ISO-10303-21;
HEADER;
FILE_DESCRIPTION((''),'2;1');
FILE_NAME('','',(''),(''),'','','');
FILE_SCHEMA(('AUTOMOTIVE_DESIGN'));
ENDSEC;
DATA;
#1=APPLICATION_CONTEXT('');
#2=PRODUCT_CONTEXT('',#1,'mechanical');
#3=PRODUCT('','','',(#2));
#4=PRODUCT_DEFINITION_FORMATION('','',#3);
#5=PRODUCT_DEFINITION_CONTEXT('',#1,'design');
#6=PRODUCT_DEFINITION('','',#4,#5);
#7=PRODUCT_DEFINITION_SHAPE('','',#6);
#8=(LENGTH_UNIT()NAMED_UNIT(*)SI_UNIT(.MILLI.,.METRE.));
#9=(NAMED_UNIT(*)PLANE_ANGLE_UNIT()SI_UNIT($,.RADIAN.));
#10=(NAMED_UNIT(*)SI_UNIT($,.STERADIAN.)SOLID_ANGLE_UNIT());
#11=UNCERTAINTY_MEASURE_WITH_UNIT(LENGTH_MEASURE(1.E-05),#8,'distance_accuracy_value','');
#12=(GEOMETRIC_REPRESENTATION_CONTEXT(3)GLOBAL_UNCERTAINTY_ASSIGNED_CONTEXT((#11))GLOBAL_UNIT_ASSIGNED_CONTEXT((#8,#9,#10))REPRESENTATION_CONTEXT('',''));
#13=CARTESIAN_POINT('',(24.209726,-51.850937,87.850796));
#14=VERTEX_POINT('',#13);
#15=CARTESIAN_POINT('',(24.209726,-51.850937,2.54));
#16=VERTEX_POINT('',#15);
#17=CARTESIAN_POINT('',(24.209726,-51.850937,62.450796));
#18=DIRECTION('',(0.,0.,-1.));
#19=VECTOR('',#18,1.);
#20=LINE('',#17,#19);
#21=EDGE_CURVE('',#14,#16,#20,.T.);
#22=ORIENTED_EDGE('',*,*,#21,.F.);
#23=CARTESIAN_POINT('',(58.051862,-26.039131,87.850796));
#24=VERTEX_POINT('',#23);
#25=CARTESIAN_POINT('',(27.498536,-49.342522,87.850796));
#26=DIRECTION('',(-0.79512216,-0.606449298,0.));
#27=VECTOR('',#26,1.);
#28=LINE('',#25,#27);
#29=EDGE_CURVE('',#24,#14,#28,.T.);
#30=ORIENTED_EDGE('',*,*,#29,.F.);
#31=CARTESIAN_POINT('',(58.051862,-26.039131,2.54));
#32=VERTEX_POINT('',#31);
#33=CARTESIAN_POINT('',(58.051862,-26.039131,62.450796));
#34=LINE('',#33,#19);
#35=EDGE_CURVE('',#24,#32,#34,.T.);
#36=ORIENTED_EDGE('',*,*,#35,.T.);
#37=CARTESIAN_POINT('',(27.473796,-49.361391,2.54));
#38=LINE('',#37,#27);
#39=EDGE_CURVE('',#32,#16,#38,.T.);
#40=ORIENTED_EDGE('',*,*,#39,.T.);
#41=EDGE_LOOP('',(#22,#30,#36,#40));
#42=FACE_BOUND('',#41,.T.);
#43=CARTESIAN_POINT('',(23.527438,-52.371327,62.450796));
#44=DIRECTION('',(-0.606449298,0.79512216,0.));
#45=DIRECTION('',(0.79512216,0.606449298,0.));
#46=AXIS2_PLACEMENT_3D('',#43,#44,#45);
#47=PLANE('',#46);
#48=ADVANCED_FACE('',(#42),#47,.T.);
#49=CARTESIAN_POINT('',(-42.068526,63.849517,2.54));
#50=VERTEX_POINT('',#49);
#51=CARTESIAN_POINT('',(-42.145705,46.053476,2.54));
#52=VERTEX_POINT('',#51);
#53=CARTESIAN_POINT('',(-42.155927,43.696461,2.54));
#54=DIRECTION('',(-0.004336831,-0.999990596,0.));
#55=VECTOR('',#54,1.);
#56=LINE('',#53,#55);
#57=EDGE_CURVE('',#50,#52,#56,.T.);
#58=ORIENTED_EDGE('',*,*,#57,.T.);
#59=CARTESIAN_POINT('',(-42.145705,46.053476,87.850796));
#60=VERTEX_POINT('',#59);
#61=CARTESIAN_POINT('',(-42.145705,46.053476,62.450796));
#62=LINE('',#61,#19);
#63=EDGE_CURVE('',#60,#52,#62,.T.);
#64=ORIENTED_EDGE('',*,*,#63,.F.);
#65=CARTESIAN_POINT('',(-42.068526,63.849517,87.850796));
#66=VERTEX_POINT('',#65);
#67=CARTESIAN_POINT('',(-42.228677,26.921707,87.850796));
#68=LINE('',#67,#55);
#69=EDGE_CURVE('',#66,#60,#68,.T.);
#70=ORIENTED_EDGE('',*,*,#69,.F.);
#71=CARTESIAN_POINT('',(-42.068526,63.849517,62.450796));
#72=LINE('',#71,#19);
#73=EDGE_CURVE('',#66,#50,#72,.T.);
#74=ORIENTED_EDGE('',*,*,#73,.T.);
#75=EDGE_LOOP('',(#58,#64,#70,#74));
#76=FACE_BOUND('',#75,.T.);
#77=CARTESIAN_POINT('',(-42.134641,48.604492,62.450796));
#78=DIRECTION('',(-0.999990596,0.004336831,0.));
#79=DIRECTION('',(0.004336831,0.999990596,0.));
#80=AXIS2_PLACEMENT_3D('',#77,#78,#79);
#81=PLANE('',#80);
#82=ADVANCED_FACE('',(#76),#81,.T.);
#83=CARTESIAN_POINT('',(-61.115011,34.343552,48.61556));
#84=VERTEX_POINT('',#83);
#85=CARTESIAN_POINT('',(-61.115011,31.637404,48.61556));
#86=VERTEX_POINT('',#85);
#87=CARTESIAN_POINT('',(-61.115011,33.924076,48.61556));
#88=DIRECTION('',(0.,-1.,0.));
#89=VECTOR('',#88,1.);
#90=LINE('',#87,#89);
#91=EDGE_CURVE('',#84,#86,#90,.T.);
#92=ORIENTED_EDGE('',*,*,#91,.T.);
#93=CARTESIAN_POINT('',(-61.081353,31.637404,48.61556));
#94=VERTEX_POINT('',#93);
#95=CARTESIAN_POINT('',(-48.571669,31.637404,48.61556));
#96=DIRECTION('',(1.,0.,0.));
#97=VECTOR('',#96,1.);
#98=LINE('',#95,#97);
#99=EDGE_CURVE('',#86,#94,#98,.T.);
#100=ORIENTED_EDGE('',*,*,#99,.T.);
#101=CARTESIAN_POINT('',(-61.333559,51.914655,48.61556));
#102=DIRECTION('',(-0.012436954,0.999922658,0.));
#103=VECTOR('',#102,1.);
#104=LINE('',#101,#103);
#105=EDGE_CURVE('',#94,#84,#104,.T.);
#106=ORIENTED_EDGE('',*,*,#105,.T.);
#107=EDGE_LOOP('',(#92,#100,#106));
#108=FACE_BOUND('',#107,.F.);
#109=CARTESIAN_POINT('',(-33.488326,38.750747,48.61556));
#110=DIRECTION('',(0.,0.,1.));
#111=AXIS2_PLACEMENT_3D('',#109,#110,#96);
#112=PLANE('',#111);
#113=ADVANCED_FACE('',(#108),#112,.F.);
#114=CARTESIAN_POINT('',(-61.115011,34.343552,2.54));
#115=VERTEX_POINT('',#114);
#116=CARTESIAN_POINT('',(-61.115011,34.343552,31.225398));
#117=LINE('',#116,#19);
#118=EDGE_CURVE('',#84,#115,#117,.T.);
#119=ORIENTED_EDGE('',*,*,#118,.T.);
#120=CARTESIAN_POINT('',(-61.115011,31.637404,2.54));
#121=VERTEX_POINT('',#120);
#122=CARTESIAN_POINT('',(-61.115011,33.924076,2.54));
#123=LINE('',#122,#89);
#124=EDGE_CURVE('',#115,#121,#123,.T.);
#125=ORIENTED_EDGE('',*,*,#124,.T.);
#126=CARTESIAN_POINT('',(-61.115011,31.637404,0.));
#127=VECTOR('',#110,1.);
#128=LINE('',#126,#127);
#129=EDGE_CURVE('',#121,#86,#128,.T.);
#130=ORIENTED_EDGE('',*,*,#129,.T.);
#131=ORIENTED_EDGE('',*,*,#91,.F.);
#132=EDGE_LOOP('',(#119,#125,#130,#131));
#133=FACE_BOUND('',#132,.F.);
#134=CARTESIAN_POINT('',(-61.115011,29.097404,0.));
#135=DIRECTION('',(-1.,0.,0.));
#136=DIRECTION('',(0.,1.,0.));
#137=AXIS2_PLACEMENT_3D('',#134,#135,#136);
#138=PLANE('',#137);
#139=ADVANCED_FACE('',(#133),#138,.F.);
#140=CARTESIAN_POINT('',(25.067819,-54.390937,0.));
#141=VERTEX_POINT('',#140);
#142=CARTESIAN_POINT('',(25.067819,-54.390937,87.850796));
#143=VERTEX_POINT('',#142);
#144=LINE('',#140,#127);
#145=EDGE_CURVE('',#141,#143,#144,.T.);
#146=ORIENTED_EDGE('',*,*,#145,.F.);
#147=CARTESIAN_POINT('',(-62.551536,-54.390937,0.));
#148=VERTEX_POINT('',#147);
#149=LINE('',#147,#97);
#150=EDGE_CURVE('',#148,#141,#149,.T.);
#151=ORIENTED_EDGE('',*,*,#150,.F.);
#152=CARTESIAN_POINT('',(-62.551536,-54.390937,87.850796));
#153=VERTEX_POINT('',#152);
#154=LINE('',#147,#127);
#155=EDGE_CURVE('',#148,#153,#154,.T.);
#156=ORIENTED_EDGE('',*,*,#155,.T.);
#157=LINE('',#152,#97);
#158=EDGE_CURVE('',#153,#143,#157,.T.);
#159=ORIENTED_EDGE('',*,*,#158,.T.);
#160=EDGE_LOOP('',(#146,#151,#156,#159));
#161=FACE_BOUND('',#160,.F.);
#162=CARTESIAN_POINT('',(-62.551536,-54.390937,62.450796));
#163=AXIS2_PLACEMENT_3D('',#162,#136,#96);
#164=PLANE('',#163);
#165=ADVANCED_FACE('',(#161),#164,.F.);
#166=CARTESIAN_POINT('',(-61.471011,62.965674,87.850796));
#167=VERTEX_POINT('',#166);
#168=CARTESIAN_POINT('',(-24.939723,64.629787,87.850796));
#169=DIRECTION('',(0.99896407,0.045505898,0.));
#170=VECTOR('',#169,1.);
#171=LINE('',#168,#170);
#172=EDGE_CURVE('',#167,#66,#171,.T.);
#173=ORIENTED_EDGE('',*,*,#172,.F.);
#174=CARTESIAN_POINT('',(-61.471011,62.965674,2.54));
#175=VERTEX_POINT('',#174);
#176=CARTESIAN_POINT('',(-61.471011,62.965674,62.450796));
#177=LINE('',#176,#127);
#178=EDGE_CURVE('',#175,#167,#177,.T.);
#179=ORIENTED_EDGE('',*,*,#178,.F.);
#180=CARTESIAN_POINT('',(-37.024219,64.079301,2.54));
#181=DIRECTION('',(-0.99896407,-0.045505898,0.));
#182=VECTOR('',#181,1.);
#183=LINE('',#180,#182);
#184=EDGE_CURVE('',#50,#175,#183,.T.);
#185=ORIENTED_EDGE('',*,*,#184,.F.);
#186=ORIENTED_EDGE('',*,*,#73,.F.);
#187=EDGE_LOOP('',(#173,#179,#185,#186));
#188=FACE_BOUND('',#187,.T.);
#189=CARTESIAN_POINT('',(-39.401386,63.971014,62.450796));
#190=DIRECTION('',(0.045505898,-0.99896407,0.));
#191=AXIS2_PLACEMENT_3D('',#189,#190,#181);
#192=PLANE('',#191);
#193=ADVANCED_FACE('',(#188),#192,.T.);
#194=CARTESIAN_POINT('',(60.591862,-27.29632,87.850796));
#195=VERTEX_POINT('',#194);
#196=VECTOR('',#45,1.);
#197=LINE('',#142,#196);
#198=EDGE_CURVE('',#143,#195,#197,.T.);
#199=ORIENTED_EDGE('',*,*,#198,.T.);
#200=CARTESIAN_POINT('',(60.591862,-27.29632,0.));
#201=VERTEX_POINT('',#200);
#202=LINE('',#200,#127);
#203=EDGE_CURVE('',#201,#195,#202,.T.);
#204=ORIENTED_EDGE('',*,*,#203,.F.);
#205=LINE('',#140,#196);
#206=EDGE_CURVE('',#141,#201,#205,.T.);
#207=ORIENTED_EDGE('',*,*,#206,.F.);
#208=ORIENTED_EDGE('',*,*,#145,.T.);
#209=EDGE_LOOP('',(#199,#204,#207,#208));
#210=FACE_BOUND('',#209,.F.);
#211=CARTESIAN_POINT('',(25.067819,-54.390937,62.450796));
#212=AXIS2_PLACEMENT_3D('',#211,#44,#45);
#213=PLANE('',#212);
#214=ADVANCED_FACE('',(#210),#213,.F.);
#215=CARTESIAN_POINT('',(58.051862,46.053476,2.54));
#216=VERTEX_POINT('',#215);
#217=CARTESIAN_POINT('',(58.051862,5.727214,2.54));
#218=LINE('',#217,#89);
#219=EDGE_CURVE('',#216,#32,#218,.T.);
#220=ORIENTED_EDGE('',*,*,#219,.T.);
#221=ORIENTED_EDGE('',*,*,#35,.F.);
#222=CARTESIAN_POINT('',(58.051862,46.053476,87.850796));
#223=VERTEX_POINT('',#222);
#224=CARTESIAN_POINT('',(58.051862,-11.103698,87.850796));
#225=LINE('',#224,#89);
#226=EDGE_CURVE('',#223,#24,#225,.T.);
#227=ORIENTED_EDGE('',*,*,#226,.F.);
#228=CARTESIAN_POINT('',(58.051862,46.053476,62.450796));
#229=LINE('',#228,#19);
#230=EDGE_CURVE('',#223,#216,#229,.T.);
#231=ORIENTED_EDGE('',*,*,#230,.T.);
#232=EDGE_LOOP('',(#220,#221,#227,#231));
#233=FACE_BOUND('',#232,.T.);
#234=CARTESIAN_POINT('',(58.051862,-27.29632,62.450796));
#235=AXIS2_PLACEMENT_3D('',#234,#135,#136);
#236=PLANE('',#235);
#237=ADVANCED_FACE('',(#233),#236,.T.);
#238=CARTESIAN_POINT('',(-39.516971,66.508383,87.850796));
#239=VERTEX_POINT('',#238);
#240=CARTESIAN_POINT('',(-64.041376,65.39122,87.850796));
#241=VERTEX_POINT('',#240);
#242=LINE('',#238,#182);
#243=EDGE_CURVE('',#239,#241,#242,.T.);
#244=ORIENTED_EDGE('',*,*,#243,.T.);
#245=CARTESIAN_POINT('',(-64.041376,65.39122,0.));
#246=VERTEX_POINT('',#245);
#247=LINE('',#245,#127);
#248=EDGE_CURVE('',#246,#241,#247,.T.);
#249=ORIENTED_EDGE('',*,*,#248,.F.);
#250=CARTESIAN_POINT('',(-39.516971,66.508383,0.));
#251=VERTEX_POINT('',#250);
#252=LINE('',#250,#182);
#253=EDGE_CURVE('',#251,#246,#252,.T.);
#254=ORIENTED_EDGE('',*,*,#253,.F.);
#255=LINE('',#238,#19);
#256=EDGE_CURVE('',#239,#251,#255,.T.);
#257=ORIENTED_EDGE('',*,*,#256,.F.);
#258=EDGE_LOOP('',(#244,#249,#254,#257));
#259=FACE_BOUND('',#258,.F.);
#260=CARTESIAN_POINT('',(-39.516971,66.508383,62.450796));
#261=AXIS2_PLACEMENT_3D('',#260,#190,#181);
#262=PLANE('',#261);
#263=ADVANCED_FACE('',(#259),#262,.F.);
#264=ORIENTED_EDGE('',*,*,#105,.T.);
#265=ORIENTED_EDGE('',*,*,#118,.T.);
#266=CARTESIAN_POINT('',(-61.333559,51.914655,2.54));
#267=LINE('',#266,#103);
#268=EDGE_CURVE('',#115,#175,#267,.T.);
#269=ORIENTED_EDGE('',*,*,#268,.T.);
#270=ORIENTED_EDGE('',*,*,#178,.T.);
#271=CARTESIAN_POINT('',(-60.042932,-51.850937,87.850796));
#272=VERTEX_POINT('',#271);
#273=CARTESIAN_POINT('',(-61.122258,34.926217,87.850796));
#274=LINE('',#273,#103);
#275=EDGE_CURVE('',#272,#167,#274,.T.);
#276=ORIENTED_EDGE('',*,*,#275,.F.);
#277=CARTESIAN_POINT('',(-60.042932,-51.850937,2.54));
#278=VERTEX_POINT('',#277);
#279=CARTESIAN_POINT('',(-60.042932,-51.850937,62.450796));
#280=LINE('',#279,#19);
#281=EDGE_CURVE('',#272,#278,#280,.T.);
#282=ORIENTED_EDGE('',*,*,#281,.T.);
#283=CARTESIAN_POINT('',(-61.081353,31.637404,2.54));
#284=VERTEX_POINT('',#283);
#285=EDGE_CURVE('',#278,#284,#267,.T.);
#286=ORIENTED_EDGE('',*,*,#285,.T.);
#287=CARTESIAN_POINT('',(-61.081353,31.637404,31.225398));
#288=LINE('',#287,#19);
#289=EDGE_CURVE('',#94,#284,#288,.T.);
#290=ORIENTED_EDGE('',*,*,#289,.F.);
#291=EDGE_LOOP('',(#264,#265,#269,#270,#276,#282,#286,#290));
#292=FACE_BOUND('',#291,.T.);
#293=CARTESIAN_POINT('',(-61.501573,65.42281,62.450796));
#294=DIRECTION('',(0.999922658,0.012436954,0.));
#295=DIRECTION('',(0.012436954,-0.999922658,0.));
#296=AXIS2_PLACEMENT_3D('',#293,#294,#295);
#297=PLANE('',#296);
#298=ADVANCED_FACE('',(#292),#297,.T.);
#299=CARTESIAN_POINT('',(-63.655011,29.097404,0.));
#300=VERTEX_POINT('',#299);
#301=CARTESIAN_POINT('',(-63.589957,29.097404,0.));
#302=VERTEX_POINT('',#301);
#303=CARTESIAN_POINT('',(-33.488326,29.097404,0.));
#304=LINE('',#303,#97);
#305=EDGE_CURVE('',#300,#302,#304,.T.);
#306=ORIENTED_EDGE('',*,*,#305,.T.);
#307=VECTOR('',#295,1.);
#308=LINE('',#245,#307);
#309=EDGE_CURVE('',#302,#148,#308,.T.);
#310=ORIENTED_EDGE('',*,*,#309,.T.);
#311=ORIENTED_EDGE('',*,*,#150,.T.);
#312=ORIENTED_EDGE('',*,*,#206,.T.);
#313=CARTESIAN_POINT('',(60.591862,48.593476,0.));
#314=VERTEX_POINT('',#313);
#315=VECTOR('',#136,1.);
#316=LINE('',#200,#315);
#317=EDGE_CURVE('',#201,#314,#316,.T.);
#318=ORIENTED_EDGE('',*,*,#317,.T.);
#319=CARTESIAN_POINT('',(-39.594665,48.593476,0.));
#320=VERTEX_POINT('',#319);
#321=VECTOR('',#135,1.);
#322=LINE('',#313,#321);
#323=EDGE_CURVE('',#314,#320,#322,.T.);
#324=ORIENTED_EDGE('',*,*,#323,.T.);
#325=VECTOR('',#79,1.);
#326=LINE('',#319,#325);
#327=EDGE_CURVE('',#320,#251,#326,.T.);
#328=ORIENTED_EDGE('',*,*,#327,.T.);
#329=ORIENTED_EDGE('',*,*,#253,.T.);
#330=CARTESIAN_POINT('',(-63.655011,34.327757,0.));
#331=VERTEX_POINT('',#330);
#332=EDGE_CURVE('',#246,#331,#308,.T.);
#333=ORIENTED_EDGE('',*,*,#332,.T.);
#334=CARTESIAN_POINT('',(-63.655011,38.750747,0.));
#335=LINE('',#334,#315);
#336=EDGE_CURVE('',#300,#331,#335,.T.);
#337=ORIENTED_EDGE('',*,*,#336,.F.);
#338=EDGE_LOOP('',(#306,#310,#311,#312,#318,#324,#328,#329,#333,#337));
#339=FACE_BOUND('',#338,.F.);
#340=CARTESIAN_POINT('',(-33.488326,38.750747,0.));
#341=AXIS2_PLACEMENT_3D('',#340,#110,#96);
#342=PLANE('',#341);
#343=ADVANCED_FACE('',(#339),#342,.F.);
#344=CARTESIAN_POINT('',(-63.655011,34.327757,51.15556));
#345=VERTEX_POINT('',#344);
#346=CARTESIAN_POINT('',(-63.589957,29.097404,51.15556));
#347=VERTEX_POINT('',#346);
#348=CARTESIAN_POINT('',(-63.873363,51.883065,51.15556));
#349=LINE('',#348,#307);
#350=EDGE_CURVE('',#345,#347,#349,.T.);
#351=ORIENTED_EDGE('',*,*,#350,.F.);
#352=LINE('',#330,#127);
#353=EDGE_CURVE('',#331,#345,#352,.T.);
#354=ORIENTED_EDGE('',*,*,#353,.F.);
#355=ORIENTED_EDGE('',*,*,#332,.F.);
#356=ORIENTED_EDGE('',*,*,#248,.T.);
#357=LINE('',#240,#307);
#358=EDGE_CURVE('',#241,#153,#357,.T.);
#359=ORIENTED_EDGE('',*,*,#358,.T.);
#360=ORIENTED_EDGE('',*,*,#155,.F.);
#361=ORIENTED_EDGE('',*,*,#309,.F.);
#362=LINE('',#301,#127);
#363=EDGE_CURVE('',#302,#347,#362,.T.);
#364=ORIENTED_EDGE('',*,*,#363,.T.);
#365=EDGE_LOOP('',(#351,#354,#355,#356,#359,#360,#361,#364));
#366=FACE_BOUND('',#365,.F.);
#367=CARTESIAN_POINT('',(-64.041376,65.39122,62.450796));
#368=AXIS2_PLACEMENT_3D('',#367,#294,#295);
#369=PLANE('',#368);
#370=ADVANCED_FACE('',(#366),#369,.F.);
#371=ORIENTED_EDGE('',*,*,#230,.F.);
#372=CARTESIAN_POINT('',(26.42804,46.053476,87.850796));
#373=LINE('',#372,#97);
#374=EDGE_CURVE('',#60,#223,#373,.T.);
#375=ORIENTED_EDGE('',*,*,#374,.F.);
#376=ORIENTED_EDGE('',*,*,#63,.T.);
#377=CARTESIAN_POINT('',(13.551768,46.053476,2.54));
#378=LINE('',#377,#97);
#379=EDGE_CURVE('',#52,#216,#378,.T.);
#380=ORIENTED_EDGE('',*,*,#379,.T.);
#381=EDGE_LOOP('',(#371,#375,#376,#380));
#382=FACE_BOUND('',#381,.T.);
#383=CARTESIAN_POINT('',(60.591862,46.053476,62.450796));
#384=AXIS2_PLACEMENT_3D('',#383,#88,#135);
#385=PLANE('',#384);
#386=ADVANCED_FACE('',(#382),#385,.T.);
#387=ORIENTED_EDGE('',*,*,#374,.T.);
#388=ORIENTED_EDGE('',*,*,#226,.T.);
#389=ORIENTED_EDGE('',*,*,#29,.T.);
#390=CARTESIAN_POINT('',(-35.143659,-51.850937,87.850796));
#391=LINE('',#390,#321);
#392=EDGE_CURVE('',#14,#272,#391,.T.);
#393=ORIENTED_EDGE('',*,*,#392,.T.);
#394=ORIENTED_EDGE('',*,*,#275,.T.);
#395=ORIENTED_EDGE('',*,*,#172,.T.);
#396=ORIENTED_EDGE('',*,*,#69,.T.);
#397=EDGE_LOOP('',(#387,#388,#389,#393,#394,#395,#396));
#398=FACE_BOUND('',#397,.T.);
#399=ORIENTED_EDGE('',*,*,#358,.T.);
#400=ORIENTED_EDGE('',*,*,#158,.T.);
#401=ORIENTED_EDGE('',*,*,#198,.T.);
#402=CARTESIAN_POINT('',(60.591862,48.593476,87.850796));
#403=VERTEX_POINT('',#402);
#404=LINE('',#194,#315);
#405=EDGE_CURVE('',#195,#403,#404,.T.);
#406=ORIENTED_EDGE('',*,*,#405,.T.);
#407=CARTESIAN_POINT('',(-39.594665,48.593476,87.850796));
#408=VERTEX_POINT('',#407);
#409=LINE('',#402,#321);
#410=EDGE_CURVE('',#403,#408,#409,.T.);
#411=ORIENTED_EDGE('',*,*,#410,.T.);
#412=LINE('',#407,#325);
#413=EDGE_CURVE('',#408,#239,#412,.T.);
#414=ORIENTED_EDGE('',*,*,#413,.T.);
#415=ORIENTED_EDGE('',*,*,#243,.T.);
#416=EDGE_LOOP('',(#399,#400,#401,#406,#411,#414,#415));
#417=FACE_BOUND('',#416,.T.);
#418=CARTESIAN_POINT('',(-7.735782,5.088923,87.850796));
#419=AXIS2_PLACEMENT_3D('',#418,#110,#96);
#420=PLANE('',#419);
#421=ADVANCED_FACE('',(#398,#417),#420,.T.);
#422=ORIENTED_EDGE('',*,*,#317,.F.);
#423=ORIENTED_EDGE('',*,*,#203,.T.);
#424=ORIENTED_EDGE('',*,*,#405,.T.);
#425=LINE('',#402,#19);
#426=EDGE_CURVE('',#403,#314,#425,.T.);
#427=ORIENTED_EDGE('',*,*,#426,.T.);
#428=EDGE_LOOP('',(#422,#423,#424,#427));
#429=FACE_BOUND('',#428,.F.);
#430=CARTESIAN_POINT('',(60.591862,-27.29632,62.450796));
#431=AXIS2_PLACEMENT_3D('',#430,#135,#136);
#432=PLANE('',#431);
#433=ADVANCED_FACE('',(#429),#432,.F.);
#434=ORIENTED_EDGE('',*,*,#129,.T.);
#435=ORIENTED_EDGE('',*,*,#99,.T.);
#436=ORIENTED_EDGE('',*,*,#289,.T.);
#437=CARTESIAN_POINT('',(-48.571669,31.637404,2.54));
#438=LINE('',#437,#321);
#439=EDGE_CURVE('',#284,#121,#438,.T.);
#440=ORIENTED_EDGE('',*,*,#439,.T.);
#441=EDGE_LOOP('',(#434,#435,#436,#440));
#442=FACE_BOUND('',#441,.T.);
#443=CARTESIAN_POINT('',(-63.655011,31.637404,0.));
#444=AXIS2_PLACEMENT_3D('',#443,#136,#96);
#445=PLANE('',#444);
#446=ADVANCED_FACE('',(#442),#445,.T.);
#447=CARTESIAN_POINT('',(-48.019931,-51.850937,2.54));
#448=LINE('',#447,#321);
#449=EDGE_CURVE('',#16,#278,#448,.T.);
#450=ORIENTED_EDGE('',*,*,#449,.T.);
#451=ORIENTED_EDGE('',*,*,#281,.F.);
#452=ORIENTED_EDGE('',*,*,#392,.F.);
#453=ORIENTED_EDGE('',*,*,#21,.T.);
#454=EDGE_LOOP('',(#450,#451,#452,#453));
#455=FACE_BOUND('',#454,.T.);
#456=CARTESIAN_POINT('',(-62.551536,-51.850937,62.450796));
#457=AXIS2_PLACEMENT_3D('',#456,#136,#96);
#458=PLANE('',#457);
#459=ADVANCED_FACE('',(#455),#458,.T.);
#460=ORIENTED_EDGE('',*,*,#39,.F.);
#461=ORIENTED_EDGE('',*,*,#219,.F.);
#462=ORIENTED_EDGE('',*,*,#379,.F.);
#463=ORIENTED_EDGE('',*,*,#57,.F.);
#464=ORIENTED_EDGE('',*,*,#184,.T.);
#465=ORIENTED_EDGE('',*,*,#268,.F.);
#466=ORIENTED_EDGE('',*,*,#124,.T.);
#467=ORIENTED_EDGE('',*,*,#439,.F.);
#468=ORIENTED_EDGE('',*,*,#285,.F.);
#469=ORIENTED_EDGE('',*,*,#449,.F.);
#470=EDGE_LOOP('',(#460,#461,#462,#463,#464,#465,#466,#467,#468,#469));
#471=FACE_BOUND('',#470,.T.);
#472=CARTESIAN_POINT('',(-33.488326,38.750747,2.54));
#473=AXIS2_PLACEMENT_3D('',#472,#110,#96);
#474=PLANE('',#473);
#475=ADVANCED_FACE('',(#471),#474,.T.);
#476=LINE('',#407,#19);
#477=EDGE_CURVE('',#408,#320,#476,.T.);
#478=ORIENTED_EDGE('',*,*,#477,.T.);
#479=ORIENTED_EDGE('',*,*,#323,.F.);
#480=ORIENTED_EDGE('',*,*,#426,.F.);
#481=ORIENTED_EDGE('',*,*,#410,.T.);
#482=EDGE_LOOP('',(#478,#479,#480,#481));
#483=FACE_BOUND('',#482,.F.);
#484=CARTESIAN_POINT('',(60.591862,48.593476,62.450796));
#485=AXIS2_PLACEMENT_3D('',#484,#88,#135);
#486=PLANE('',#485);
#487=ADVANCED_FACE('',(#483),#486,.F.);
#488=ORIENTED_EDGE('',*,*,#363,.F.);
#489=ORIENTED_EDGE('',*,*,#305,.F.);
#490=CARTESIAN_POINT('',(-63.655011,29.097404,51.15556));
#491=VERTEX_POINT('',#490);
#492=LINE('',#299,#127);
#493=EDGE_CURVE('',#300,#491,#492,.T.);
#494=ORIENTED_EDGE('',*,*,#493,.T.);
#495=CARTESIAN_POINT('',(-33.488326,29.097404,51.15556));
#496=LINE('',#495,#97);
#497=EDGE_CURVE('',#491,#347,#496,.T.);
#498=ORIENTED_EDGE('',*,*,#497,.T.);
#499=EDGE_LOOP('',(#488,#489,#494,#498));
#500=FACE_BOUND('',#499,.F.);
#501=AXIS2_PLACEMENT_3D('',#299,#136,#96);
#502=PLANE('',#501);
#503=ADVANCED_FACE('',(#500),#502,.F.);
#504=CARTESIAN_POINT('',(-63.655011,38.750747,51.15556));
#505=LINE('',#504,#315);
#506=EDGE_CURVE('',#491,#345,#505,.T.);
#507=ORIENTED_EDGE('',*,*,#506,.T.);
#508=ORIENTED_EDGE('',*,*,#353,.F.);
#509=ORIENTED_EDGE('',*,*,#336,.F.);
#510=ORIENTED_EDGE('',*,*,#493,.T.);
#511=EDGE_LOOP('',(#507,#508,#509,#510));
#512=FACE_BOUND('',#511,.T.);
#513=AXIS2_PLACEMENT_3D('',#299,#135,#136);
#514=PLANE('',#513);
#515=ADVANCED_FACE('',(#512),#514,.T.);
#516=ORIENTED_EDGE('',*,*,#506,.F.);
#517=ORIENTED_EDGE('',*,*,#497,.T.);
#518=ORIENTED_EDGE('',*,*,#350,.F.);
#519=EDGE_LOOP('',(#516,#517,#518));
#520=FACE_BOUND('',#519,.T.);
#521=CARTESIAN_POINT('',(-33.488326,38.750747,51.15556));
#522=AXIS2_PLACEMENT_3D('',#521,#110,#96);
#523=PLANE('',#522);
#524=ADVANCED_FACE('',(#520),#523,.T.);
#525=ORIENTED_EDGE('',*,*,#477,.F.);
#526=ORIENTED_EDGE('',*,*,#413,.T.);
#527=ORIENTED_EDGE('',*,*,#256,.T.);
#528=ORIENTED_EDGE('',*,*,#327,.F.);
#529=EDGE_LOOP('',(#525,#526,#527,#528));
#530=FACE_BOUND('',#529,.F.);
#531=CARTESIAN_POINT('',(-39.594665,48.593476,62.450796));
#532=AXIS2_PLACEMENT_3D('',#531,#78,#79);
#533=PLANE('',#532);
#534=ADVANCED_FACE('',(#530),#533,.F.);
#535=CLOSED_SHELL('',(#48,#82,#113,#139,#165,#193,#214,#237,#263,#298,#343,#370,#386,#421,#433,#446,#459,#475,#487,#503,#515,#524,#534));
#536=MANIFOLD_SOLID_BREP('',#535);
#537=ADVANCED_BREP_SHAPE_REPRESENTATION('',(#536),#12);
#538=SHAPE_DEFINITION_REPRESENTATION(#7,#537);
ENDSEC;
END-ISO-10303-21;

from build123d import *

# Parameters (mm, degrees)
F1_DEPTH = 62.4507963657
F2_W     = 60.3333711624
F2_H     = 19.3066857755
F4_DEPTH = 51.1555597186
F5_DEPTH = 25.4
F6_T     = -2.54


with BuildPart() as f1:
    # F0 (on Top) → F1 (new body)
    with BuildSketch(Plane.XY):
        Polygon((-39.5169705153, 66.5083825588), (-64.0413761139, 65.3912201524), (-62.551535666, -54.3909370899), (25.0678188681, -54.3909370899), (60.5918616056, -27.2963196039), (60.5918616056, 48.5934764147), (-39.5946651697, 48.5934764147), align=None)
    extrude(amount=F1_DEPTH)

    # F2 (on Top) → F4 (join)
    with BuildSketch(Plane.XY):
        with Locations((-33.4883257747, 38.7507472187)):
            Rectangle(F2_W, F2_H)
    extrude(amount=F4_DEPTH)

    # F5 (add): a face of the model
    f5_faces = [f1.faces().sort_by_distance(p)[0] for p in [
        (-4.8768218944, 0.8081448517, 62.4507963657),
    ]]
    extrude(f5_faces, amount=F5_DEPTH)

    # F6
    f6_openings = [f1.faces().sort_by_distance(p)[0] for p in [
        (-4.876822, 0.808145, 87.850796),
    ]]
    offset(amount=F6_T, openings=f6_openings, kind=Kind.INTERSECTION)


solid = f1.part
